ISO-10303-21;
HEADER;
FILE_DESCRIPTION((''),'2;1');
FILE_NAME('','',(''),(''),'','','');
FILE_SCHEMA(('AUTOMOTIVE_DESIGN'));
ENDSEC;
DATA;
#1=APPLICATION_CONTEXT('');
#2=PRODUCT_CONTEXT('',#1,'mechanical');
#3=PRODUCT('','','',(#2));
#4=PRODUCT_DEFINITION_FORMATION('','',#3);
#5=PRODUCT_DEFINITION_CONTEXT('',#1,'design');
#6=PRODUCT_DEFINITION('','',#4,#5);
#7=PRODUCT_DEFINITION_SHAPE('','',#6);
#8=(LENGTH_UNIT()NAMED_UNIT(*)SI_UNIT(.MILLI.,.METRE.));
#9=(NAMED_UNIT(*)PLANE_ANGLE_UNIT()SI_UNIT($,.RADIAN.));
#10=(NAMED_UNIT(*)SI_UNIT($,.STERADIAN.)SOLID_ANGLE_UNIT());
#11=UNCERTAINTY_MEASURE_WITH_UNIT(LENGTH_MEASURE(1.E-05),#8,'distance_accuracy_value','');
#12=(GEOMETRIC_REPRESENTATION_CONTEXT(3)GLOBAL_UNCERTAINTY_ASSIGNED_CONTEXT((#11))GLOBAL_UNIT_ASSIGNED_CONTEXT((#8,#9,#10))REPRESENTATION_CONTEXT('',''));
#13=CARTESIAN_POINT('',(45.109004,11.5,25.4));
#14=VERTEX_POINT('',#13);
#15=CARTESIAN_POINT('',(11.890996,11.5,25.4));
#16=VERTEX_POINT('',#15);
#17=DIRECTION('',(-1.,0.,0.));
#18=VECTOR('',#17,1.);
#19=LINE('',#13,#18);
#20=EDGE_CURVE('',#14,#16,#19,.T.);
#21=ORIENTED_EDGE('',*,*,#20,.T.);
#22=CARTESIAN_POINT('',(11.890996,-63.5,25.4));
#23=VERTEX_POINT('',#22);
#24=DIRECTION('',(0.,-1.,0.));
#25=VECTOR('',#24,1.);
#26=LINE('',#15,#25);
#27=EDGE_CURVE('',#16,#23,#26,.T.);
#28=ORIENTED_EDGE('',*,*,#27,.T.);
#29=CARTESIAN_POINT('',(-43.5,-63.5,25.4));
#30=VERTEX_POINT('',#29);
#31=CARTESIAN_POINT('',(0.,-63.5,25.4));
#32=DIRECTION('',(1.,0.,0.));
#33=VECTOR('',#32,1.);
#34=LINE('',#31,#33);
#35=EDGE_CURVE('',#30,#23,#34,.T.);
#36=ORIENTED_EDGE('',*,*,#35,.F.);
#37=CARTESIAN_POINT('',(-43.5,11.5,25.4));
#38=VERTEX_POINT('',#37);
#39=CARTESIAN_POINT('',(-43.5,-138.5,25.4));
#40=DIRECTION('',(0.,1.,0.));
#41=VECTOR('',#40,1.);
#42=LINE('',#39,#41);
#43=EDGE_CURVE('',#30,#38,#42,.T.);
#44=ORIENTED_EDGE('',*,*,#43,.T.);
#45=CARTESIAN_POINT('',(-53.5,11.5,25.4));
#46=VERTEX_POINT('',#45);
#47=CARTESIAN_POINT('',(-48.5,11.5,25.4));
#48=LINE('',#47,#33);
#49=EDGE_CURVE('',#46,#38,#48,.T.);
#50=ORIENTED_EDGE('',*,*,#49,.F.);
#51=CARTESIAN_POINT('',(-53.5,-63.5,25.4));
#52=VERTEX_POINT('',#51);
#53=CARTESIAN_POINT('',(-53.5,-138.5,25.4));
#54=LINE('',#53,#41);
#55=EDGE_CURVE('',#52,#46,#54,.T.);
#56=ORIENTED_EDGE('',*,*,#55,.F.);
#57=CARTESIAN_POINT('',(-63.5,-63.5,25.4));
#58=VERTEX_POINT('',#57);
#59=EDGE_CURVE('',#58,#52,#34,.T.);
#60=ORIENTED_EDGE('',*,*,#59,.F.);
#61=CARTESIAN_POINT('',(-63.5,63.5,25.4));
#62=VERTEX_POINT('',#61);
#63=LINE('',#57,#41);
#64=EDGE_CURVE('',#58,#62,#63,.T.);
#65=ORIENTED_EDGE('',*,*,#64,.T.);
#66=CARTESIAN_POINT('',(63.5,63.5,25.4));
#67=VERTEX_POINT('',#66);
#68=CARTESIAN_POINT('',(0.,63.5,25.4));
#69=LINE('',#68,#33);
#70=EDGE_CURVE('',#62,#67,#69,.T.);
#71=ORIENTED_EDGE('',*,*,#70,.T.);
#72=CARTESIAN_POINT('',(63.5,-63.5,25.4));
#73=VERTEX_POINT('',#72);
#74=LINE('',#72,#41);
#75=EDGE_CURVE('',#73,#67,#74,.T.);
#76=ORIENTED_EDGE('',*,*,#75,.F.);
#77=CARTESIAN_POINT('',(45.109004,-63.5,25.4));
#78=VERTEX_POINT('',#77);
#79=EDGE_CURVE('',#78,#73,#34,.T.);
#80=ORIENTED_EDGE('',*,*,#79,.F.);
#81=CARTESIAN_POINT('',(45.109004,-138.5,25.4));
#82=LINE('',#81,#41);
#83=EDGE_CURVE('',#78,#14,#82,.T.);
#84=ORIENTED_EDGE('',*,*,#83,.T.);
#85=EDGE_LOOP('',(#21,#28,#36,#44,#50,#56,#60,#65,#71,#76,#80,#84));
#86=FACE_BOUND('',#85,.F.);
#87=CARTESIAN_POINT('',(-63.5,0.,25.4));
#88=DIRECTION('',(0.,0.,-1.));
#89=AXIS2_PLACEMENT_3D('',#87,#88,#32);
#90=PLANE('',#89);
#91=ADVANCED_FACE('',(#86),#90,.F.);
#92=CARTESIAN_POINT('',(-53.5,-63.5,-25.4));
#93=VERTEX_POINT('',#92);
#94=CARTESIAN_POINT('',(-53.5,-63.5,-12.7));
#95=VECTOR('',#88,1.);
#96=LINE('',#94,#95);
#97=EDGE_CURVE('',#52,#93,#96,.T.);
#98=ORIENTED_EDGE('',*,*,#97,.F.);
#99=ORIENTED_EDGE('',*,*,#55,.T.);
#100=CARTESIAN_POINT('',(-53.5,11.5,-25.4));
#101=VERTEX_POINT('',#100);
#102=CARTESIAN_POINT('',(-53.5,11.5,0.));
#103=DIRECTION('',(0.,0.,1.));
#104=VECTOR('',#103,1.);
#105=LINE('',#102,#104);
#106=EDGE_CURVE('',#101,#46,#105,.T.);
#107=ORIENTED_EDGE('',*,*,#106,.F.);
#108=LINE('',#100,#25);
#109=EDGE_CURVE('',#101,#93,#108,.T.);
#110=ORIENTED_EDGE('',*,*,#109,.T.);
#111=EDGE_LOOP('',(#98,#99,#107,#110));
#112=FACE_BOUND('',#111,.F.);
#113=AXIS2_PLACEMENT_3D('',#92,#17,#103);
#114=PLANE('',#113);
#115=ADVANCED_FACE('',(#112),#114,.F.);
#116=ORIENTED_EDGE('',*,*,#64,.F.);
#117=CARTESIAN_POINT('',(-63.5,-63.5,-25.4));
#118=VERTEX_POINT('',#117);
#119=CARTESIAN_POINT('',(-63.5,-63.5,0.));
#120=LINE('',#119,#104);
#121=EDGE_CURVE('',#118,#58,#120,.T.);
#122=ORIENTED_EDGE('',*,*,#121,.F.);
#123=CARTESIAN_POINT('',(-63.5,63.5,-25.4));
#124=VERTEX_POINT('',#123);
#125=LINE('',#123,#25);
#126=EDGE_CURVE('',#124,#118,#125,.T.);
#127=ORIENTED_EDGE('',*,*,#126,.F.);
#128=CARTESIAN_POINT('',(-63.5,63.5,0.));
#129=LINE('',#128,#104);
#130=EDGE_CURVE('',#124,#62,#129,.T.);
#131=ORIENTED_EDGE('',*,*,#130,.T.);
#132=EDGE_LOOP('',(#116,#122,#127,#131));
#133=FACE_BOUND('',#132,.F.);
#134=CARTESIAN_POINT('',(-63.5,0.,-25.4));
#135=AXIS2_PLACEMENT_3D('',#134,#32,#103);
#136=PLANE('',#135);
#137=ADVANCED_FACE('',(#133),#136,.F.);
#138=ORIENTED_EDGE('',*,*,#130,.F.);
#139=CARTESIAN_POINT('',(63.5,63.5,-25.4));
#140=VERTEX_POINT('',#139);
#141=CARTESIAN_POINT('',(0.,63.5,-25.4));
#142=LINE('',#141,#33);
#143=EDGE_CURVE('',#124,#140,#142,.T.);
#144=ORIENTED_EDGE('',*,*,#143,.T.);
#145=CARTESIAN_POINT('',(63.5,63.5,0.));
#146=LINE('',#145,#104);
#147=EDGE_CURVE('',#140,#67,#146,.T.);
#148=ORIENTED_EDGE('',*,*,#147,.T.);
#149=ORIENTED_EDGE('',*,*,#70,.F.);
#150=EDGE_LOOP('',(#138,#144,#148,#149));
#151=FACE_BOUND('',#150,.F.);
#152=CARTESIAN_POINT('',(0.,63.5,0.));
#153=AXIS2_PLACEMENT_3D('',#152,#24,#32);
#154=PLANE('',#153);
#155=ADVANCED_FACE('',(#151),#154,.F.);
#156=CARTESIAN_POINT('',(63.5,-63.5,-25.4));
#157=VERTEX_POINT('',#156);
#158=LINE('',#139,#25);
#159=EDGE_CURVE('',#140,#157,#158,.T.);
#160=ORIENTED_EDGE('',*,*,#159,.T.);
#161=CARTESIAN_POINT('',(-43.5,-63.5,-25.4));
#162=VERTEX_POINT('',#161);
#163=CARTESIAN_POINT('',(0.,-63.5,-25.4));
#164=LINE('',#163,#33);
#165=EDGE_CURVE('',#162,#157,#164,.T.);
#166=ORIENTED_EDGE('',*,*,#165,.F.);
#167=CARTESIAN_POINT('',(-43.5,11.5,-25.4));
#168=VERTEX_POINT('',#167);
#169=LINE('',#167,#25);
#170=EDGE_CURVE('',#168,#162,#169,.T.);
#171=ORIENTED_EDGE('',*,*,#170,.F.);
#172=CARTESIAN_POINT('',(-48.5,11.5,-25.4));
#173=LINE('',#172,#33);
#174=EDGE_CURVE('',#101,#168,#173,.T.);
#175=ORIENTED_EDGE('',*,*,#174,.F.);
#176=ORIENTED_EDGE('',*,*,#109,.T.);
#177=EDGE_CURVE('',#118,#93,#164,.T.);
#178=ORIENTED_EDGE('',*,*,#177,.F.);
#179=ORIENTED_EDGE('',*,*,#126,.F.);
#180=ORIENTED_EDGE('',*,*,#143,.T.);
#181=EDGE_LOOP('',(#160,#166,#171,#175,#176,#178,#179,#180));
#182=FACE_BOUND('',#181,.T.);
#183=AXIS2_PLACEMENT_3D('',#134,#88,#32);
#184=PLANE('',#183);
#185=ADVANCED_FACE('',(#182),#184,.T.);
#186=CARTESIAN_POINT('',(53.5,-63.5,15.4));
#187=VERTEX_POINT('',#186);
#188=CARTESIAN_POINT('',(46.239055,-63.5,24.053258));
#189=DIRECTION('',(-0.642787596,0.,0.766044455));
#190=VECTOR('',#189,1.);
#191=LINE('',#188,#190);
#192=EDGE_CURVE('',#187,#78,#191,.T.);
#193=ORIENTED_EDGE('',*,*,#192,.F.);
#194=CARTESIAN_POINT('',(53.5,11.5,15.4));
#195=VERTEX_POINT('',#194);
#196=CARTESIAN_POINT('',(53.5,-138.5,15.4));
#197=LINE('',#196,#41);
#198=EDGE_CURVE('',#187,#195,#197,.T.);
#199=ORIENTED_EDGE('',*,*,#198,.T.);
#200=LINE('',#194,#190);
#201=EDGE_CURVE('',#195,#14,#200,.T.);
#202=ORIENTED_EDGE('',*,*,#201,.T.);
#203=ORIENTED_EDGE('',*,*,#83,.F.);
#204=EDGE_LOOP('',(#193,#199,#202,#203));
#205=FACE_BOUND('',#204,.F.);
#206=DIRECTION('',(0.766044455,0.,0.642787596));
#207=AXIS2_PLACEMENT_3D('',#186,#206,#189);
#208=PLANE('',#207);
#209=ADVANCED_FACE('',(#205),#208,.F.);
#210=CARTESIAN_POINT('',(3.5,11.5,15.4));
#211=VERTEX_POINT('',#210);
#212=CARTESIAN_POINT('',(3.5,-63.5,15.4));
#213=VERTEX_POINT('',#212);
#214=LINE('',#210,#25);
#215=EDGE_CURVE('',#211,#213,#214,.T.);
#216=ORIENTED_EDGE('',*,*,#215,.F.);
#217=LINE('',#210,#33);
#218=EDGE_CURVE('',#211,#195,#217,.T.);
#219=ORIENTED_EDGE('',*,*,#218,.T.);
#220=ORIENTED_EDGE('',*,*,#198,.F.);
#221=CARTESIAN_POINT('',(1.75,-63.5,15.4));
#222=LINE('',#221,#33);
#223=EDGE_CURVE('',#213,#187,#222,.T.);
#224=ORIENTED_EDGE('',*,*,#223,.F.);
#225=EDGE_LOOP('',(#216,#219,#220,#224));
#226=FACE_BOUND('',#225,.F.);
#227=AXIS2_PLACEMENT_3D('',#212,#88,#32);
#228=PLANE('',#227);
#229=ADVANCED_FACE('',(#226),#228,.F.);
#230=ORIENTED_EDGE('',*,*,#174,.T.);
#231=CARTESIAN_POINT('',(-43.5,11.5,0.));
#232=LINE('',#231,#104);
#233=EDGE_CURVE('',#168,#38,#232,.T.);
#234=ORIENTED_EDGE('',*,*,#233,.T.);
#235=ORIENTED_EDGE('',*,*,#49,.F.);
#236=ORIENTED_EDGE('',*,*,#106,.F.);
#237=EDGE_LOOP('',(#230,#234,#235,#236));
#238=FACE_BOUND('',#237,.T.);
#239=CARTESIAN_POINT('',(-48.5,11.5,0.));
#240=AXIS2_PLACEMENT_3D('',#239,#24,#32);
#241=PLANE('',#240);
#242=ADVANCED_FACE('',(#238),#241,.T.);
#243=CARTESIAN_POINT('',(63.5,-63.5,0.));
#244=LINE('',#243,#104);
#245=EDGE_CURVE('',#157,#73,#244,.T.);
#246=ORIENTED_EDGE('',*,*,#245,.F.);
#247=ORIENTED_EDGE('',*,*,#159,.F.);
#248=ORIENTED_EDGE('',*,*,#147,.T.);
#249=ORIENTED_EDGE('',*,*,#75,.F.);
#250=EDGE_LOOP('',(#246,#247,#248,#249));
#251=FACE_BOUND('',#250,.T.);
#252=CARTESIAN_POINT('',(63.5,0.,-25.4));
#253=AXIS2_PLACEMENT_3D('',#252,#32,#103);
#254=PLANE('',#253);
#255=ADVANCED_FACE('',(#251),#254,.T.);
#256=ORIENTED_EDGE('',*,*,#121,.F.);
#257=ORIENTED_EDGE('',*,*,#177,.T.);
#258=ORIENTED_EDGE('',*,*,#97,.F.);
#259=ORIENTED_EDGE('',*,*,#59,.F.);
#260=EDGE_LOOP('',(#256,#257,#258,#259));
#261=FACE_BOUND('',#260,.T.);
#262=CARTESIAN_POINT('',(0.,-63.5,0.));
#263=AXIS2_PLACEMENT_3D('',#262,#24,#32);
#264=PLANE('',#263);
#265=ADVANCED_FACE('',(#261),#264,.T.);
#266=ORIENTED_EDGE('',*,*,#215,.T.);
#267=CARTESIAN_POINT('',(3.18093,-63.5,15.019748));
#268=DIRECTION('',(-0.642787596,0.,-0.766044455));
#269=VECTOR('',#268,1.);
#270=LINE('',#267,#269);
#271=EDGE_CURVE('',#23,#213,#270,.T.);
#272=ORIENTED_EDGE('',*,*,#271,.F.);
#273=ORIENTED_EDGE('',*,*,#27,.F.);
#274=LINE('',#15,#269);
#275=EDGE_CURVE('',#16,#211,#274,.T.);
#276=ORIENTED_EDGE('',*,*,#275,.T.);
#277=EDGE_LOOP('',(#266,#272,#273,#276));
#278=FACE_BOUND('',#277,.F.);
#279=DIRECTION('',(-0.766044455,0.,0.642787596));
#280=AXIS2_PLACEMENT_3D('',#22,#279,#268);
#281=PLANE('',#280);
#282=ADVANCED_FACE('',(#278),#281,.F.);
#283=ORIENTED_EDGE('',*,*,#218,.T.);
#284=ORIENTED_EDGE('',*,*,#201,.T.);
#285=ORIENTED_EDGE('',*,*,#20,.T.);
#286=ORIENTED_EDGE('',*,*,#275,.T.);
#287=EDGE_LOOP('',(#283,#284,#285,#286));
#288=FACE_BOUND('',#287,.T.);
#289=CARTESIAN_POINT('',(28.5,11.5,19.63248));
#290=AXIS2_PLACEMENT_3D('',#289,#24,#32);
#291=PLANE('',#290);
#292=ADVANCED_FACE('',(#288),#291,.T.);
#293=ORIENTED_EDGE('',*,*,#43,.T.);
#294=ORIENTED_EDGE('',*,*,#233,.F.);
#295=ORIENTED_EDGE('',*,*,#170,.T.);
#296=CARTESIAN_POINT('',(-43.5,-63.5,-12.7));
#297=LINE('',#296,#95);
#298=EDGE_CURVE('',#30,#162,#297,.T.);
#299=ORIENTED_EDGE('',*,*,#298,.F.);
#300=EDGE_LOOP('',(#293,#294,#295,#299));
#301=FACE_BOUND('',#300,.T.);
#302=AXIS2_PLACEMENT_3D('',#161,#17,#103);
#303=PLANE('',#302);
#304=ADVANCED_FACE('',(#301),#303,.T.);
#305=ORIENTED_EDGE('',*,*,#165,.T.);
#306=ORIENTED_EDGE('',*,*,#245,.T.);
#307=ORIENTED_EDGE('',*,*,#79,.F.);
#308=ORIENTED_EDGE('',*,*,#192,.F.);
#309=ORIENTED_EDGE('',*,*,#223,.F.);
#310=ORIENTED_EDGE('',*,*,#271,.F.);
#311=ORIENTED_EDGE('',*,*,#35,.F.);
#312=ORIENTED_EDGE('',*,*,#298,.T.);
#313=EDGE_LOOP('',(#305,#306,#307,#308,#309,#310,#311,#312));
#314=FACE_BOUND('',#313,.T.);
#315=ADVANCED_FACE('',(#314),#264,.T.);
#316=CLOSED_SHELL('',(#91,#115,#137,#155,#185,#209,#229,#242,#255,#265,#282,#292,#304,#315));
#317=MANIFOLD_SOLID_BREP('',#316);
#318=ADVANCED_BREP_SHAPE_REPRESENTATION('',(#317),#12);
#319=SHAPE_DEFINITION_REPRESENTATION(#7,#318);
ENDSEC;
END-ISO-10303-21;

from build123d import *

# Parameters (mm, degrees)
F0_W     = 127
F0_H     = 50.8
F1_DEPTH = 63.5
F2_W     = 10
F2_H     = 50.8
F3_DEPTH = 75


with BuildPart() as f1:
    # F0 (on Front) → F1 (new body, symmetric)
    with BuildSketch(Plane.XZ):
        Rectangle(F0_W, F0_H)
    extrude(amount=F1_DEPTH, both=True)

    # F2 (on face) → F3 (cut, symmetric)
    with BuildSketch(Plane.XZ.offset(63.5)):
        with Locations((-48.5, 0)):
            Rectangle(F2_W, F2_H)
        Polygon((45.109004, 25.4), (11.890996, 25.4), (3.5, 15.4), (53.5, 15.4), align=None)
    extrude(amount=F3_DEPTH, both=True, mode=Mode.SUBTRACT)


solid = f1.part
